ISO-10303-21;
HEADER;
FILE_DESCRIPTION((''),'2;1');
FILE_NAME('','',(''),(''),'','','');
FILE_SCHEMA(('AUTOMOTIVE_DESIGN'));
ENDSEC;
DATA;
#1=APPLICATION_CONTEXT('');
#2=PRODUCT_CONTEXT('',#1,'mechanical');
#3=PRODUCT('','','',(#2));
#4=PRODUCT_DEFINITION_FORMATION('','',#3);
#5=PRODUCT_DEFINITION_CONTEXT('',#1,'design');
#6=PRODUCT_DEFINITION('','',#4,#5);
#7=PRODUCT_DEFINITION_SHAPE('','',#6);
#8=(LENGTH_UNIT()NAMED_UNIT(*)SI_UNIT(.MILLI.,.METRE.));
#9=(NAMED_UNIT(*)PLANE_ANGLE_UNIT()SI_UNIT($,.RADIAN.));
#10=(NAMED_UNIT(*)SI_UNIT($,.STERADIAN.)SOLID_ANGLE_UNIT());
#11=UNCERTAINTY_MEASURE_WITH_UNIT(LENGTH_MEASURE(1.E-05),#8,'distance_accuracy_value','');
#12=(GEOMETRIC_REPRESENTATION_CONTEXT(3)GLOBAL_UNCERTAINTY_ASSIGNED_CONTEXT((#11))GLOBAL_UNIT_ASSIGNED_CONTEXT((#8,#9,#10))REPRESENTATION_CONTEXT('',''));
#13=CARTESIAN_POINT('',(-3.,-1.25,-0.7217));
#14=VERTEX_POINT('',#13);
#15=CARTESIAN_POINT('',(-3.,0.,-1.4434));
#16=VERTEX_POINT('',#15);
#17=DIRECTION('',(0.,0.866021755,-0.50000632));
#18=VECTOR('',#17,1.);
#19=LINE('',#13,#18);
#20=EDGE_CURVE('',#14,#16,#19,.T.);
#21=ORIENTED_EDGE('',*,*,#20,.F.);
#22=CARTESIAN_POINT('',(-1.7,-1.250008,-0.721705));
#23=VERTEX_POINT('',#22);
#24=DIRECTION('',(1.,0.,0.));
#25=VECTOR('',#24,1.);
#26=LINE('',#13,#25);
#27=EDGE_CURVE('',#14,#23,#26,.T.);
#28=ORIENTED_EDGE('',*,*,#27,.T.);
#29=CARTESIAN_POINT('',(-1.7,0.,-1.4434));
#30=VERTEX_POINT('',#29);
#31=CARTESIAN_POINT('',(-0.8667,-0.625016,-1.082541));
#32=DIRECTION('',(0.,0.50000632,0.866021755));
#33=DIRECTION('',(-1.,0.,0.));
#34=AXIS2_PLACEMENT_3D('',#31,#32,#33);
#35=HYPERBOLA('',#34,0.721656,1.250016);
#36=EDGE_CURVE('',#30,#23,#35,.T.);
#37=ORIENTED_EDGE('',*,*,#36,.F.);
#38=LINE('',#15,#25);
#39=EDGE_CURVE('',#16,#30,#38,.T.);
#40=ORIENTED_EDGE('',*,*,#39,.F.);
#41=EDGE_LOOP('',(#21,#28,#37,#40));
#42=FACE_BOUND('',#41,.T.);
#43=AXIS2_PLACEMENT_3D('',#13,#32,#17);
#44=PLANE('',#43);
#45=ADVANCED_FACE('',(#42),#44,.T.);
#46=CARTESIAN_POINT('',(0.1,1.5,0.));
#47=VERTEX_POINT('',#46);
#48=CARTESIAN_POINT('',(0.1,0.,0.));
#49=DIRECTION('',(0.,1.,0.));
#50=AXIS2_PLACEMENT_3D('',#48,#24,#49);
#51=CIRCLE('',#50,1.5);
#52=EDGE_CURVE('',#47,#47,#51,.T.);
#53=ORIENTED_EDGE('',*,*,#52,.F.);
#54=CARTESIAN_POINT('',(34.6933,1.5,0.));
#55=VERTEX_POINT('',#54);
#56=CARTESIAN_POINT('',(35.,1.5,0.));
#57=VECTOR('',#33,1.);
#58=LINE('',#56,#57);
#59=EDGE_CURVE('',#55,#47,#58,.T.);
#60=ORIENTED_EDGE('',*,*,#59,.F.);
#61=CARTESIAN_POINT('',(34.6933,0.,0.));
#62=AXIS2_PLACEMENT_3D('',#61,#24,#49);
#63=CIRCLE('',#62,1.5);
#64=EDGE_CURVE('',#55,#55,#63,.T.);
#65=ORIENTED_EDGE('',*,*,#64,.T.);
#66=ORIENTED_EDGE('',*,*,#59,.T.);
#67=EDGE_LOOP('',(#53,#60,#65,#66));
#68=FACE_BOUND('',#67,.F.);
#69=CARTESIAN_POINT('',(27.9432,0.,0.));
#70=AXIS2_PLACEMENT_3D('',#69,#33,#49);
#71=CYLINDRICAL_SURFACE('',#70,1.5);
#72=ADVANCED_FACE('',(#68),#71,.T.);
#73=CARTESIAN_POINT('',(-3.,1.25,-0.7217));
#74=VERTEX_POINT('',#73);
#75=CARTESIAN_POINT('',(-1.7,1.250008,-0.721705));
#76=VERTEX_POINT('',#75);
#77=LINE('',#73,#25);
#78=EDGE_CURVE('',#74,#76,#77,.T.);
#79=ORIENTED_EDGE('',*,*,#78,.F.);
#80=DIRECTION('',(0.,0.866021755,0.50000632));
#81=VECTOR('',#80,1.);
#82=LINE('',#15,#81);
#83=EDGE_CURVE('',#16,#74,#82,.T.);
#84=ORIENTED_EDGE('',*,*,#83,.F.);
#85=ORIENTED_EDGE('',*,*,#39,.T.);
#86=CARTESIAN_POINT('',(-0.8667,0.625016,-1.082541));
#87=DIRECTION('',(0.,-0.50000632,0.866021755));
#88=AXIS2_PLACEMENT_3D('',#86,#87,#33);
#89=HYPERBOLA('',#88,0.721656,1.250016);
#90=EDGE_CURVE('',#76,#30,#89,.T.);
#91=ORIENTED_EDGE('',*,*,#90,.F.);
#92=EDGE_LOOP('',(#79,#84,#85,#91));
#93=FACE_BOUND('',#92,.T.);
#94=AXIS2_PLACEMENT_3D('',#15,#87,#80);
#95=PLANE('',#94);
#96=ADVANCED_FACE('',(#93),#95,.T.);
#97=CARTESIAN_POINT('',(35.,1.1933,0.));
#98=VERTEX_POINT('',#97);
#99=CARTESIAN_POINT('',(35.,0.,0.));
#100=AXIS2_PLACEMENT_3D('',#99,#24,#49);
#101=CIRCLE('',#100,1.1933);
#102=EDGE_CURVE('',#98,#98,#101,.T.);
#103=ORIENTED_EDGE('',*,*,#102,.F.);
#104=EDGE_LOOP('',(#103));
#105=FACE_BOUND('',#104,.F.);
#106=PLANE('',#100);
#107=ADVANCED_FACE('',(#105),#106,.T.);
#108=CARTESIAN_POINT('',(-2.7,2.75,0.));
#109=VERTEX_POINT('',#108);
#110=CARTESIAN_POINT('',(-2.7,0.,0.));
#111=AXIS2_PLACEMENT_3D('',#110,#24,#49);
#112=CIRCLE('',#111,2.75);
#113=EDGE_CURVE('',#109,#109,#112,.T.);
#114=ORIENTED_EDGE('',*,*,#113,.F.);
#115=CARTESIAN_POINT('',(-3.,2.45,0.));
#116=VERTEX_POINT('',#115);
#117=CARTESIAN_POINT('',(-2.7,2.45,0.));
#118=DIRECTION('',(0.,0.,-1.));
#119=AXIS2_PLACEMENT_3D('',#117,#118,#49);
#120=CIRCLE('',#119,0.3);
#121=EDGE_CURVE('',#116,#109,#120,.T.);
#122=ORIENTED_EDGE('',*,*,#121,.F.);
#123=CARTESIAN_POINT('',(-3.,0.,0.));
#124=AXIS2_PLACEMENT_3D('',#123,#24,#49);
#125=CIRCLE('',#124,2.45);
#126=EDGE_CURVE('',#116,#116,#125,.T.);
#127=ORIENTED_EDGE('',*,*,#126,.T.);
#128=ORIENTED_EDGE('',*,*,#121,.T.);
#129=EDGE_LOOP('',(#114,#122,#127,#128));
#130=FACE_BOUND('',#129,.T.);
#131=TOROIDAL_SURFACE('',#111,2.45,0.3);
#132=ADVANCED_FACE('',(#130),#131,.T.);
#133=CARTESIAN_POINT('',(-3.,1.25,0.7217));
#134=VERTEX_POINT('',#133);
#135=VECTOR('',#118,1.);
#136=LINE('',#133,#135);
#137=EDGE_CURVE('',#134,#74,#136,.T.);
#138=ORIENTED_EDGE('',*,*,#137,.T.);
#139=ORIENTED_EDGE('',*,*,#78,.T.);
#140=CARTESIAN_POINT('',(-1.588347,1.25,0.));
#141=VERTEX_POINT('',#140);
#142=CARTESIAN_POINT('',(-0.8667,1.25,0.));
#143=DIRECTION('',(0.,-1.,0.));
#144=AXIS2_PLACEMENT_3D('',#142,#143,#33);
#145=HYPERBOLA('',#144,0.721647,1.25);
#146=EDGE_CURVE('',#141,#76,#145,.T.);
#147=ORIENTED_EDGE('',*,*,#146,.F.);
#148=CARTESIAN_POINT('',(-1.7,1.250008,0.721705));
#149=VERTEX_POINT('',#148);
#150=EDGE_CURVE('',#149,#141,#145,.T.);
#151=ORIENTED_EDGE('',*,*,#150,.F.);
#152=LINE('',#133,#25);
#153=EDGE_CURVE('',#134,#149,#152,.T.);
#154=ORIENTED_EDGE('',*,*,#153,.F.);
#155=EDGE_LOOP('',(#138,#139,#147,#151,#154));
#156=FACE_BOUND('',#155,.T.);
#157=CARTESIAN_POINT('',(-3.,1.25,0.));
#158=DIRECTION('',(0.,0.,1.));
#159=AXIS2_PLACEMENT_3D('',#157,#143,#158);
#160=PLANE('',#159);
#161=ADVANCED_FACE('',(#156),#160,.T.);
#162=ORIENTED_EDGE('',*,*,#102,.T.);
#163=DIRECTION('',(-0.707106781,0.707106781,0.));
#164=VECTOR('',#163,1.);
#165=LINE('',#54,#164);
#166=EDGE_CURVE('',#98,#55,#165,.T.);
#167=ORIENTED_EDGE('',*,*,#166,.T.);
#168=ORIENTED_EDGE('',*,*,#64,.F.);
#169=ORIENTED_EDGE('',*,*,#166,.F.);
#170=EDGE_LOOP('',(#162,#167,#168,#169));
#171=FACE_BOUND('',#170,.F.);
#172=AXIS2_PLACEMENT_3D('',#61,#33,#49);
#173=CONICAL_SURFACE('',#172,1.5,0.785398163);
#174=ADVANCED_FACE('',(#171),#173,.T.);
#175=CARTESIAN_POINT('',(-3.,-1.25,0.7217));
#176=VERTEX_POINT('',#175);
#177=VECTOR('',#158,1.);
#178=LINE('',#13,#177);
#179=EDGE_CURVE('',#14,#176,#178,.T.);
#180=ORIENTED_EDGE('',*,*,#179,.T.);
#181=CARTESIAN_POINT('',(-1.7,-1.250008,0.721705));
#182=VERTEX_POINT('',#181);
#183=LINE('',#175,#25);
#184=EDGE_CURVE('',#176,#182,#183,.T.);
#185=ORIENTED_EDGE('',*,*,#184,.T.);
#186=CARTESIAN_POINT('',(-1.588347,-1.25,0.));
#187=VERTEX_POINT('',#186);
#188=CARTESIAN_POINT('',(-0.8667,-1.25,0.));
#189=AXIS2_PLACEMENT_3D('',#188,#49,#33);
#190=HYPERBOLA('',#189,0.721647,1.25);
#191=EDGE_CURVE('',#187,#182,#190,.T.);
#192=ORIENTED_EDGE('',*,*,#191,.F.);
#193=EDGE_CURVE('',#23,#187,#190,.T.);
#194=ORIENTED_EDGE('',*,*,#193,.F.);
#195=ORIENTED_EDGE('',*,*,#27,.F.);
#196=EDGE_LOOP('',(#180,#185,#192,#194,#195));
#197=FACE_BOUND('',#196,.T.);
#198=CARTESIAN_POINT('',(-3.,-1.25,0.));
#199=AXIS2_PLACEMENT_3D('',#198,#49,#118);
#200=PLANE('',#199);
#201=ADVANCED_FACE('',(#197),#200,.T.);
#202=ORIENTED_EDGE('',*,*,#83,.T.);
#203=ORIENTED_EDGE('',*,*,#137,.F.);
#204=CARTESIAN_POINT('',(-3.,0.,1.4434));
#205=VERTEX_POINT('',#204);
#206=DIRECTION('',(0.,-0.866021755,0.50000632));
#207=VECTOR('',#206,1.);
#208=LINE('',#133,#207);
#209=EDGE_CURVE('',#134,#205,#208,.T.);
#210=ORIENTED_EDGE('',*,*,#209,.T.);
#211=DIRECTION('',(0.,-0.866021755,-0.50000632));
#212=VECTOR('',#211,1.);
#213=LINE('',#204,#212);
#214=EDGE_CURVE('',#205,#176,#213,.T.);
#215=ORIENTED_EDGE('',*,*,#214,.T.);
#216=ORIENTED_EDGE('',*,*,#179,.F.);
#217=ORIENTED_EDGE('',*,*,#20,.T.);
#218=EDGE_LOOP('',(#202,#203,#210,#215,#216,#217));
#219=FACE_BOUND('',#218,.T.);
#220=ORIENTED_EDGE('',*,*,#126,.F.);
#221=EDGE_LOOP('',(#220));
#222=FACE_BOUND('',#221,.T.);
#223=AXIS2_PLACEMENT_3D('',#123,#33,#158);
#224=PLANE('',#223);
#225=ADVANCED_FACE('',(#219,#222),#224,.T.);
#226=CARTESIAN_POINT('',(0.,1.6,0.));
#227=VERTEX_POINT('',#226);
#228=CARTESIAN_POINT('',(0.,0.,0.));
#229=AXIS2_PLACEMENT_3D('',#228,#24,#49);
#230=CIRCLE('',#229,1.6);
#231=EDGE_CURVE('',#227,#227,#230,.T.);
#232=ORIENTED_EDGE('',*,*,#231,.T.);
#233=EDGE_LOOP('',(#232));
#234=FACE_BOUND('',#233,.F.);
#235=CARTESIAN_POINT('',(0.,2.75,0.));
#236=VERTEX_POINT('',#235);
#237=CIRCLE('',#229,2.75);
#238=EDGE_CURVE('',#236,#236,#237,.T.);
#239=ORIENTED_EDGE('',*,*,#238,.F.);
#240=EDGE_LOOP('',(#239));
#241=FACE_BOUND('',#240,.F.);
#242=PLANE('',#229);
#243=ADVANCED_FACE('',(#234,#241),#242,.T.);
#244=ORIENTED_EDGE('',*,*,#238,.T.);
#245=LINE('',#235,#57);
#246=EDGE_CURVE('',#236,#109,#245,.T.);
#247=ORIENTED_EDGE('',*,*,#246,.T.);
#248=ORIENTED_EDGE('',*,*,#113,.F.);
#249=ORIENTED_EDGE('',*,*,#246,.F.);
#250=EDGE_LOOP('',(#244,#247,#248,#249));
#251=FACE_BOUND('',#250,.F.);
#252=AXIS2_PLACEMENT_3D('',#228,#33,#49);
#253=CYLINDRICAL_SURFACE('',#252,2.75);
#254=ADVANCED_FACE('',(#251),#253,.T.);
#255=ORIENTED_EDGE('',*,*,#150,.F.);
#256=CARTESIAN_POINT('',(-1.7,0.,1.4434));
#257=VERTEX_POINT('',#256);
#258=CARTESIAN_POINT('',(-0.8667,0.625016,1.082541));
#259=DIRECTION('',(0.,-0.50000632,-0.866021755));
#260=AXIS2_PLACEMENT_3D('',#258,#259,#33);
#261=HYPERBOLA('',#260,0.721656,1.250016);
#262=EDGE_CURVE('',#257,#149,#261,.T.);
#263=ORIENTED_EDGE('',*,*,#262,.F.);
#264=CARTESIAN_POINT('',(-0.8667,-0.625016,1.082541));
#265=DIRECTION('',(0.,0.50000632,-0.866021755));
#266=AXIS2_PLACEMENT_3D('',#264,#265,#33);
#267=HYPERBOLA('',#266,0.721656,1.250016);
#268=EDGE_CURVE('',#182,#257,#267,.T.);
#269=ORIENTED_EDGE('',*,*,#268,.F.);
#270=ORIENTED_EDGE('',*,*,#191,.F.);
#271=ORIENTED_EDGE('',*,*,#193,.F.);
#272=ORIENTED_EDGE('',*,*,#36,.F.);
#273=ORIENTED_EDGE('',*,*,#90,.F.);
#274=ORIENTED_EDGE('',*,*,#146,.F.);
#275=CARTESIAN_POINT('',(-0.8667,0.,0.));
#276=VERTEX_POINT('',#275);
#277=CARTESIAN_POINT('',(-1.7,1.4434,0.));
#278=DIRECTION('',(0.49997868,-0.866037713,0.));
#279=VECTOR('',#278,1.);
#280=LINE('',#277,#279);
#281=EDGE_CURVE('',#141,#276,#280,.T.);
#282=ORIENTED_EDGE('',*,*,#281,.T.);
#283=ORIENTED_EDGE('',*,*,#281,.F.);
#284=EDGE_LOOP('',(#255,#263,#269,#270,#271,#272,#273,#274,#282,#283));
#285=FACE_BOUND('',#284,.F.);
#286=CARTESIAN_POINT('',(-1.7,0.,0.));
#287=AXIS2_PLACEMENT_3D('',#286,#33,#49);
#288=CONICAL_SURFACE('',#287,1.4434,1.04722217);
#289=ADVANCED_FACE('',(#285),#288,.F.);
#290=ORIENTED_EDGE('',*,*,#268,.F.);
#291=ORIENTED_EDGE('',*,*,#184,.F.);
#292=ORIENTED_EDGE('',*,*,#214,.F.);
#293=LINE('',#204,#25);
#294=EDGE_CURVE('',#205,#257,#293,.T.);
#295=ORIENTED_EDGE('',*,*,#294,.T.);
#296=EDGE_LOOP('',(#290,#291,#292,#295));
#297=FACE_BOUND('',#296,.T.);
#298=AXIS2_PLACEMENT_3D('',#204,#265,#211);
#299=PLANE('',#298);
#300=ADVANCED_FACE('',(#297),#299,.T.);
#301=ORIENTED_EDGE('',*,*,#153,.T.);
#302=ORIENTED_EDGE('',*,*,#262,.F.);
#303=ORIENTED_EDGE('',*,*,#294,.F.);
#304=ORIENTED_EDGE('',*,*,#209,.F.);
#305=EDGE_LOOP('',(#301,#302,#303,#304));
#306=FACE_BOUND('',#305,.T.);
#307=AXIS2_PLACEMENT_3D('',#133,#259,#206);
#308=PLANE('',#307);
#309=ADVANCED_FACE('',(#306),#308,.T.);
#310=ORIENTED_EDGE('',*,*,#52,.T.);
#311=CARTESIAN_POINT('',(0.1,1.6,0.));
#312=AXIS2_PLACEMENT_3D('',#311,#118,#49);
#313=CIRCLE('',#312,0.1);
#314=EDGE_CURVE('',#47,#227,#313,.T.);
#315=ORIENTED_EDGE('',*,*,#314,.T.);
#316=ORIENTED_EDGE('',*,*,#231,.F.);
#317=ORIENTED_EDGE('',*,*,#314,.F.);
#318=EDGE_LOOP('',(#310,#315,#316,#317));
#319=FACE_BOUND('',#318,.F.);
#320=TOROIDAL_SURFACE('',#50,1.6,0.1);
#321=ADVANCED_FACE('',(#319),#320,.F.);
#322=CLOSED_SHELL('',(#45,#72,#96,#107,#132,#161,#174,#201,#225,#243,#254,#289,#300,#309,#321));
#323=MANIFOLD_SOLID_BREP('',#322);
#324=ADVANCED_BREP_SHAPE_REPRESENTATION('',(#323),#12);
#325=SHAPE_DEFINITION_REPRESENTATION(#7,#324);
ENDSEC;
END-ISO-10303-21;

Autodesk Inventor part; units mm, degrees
ref_plane "YZ Plane" through (0, 0, 0) normal (1, 0, 0) x (0, 1, 0)
ref_plane "XZ Plane" through (0, 0, 0) normal (0, 1, 0) x (-1, 0, 0)
sketch "Sketch1" plane through (0, 0, 0) normal (0, 0, 1) x (1, 0, 0)
  line L0 (-0.8667, 0) -> (35, 0)
  line L1 (35, 0) -> (35, 1.5)
  line L2 (35, 1.5) -> (28.25, 1.5)
  line L3 (28.25, 1.5) -> (27.9432, 1.5)
  line L4 (27.9432, 1.5) -> (0, 1.5)
  line L5 (0, 1.5) -> (0, 2.75)
  line L6 (0, 2.75) -> (-3, 2.75)
  line L7 (-3, 2.75) -> (-3, 1.4434)
  line L8 (-3, 1.4434) -> (-1.7, 1.4434)
  line L9 (-1.7, 1.4434) -> (-0.8667, 0)
  line L10 (-10.6, 0) -> (42.6, 0) projected
  line L11 (0, -0.55) -> (0, 3.3) projected
  line L12 (28.25, 1.5) -> (0, 1.5) construction
  dimension "d1" = 6.75
  dimension "d2" = 0.3068
  dimension "d3" = 3
  dimension "d4" = 1.3
  dimension "d5" = 60
  dimension "d6" = 3
  dimension "d7" = 3
  dimension "d8" = 2.8868
  dimension "d9" = 5.5
  dimension "d26" = 35
revolve "Body" add sketch "Sketch1" angle 360 about axis through (-0.8667, 0, 0) along (1, 0, 0)
sketch "Sketch2" plane through (-3, 0, 0) normal (-1, 0, 0) x (0, 0, 1)
  circle A0 centre (0, 0) radius 1.4434 projected
  line L0 (0, -3.85) -> (0, 3.85) projected
  line L1 (-3.85, 0) -> (3.85, 0) projected
  line L2 (1.4434, 0) -> (0.7217, -1.25)
  line L3 (0.7217, -1.25) -> (-0.7217, -1.25)
  line L4 (-0.7217, -1.25) -> (-1.4434, 0)
  line L5 (-1.4434, 0) -> (-0.7217, 1.25)
  line L6 (-0.7217, 1.25) -> (0.7217, 1.25)
  line L7 (0.7217, 1.25) -> (1.4434, 0)
extrude "Slot" add sketch "Sketch2" against normal up to next contours L7 A0 | A0 L2 | L6 L0 A0 | A0 L0 L3 | L0 L6 A0 | A0 L3 L0 | L4 A0 | A0 L5
fillet "Fillet1" radius 0.3 1 edges at (-3, -2.75, 0)
thread "Thread" size "M3x0.5" class "6g" standard "ISO Metric profile" length 6.75
chamfer "Chamfer1" distance 0.3067 distance2 0.3067 1 edges at (35, -1.5, 0) measured on face at (35, -0.8773, -0.3972)
ref_plane "Work Plane1" through (29, 0, 0) normal (0, -1, 0) x (1, 0, 0)
fillet "Fillet2" radius 0.1 1 edges at (0, -1.5, 0)
equation "\"d1\" = GEL"
equation "\"d3\" = KOH"
equation "\"d4\" = INTI"
equation "\"d6\" = GD"
equation "\"d7\" = BDM"
equation "\"d8\" = 1.1547 * SW"
equation "\"d9\" = KOD"
equation "\"d30\" = R"
equation "\"d17\" = RR"
equation "\"d13\" = GEL"
equation "\"d15\" = -0.5 * SPD + 0.5 * GD"
equation "\"d16\" = GUL"
equation "\"GD\" = NND"
equation "\"NLG\" = 8"
equation "\"GEL\" = 6.75"
equation "\"KOD\" = 5.5"
equation "\"KOH\" = NND"
equation "\"INTI\" = 1.3"
equation "\"GAL\" = 0.61345 * PTC"
equation "\"GUL\" = 0.61345 * PTC"
equation "\"BDM\" = NND"
equation "\"SW\" = 2.5"
equation "\"RR\" = 0.1 * NND"
equation "\"SPD\" = NND - 1.2269 * PTC"
equation "\"R\" = 0.1"
equation "\"PHH\" = 0.13"
equation "\"GD1\" = THREADDIA - 1.2269 * PTC"
equation "\"THREADDIA\" = 3"
equation "\"FAWI\" = 45deg"
equation "\"PTC\" = 0.5"
equation "\"KOH1\" = 2.7"
equation "\"NND\" = 3"
equation "\"TOA\" = 30deg"
equation "\"E0\" = 1.155 * SW"
properties part number "AS 1420 - 1973 - M3 x 8" material "Steel, Mild"
